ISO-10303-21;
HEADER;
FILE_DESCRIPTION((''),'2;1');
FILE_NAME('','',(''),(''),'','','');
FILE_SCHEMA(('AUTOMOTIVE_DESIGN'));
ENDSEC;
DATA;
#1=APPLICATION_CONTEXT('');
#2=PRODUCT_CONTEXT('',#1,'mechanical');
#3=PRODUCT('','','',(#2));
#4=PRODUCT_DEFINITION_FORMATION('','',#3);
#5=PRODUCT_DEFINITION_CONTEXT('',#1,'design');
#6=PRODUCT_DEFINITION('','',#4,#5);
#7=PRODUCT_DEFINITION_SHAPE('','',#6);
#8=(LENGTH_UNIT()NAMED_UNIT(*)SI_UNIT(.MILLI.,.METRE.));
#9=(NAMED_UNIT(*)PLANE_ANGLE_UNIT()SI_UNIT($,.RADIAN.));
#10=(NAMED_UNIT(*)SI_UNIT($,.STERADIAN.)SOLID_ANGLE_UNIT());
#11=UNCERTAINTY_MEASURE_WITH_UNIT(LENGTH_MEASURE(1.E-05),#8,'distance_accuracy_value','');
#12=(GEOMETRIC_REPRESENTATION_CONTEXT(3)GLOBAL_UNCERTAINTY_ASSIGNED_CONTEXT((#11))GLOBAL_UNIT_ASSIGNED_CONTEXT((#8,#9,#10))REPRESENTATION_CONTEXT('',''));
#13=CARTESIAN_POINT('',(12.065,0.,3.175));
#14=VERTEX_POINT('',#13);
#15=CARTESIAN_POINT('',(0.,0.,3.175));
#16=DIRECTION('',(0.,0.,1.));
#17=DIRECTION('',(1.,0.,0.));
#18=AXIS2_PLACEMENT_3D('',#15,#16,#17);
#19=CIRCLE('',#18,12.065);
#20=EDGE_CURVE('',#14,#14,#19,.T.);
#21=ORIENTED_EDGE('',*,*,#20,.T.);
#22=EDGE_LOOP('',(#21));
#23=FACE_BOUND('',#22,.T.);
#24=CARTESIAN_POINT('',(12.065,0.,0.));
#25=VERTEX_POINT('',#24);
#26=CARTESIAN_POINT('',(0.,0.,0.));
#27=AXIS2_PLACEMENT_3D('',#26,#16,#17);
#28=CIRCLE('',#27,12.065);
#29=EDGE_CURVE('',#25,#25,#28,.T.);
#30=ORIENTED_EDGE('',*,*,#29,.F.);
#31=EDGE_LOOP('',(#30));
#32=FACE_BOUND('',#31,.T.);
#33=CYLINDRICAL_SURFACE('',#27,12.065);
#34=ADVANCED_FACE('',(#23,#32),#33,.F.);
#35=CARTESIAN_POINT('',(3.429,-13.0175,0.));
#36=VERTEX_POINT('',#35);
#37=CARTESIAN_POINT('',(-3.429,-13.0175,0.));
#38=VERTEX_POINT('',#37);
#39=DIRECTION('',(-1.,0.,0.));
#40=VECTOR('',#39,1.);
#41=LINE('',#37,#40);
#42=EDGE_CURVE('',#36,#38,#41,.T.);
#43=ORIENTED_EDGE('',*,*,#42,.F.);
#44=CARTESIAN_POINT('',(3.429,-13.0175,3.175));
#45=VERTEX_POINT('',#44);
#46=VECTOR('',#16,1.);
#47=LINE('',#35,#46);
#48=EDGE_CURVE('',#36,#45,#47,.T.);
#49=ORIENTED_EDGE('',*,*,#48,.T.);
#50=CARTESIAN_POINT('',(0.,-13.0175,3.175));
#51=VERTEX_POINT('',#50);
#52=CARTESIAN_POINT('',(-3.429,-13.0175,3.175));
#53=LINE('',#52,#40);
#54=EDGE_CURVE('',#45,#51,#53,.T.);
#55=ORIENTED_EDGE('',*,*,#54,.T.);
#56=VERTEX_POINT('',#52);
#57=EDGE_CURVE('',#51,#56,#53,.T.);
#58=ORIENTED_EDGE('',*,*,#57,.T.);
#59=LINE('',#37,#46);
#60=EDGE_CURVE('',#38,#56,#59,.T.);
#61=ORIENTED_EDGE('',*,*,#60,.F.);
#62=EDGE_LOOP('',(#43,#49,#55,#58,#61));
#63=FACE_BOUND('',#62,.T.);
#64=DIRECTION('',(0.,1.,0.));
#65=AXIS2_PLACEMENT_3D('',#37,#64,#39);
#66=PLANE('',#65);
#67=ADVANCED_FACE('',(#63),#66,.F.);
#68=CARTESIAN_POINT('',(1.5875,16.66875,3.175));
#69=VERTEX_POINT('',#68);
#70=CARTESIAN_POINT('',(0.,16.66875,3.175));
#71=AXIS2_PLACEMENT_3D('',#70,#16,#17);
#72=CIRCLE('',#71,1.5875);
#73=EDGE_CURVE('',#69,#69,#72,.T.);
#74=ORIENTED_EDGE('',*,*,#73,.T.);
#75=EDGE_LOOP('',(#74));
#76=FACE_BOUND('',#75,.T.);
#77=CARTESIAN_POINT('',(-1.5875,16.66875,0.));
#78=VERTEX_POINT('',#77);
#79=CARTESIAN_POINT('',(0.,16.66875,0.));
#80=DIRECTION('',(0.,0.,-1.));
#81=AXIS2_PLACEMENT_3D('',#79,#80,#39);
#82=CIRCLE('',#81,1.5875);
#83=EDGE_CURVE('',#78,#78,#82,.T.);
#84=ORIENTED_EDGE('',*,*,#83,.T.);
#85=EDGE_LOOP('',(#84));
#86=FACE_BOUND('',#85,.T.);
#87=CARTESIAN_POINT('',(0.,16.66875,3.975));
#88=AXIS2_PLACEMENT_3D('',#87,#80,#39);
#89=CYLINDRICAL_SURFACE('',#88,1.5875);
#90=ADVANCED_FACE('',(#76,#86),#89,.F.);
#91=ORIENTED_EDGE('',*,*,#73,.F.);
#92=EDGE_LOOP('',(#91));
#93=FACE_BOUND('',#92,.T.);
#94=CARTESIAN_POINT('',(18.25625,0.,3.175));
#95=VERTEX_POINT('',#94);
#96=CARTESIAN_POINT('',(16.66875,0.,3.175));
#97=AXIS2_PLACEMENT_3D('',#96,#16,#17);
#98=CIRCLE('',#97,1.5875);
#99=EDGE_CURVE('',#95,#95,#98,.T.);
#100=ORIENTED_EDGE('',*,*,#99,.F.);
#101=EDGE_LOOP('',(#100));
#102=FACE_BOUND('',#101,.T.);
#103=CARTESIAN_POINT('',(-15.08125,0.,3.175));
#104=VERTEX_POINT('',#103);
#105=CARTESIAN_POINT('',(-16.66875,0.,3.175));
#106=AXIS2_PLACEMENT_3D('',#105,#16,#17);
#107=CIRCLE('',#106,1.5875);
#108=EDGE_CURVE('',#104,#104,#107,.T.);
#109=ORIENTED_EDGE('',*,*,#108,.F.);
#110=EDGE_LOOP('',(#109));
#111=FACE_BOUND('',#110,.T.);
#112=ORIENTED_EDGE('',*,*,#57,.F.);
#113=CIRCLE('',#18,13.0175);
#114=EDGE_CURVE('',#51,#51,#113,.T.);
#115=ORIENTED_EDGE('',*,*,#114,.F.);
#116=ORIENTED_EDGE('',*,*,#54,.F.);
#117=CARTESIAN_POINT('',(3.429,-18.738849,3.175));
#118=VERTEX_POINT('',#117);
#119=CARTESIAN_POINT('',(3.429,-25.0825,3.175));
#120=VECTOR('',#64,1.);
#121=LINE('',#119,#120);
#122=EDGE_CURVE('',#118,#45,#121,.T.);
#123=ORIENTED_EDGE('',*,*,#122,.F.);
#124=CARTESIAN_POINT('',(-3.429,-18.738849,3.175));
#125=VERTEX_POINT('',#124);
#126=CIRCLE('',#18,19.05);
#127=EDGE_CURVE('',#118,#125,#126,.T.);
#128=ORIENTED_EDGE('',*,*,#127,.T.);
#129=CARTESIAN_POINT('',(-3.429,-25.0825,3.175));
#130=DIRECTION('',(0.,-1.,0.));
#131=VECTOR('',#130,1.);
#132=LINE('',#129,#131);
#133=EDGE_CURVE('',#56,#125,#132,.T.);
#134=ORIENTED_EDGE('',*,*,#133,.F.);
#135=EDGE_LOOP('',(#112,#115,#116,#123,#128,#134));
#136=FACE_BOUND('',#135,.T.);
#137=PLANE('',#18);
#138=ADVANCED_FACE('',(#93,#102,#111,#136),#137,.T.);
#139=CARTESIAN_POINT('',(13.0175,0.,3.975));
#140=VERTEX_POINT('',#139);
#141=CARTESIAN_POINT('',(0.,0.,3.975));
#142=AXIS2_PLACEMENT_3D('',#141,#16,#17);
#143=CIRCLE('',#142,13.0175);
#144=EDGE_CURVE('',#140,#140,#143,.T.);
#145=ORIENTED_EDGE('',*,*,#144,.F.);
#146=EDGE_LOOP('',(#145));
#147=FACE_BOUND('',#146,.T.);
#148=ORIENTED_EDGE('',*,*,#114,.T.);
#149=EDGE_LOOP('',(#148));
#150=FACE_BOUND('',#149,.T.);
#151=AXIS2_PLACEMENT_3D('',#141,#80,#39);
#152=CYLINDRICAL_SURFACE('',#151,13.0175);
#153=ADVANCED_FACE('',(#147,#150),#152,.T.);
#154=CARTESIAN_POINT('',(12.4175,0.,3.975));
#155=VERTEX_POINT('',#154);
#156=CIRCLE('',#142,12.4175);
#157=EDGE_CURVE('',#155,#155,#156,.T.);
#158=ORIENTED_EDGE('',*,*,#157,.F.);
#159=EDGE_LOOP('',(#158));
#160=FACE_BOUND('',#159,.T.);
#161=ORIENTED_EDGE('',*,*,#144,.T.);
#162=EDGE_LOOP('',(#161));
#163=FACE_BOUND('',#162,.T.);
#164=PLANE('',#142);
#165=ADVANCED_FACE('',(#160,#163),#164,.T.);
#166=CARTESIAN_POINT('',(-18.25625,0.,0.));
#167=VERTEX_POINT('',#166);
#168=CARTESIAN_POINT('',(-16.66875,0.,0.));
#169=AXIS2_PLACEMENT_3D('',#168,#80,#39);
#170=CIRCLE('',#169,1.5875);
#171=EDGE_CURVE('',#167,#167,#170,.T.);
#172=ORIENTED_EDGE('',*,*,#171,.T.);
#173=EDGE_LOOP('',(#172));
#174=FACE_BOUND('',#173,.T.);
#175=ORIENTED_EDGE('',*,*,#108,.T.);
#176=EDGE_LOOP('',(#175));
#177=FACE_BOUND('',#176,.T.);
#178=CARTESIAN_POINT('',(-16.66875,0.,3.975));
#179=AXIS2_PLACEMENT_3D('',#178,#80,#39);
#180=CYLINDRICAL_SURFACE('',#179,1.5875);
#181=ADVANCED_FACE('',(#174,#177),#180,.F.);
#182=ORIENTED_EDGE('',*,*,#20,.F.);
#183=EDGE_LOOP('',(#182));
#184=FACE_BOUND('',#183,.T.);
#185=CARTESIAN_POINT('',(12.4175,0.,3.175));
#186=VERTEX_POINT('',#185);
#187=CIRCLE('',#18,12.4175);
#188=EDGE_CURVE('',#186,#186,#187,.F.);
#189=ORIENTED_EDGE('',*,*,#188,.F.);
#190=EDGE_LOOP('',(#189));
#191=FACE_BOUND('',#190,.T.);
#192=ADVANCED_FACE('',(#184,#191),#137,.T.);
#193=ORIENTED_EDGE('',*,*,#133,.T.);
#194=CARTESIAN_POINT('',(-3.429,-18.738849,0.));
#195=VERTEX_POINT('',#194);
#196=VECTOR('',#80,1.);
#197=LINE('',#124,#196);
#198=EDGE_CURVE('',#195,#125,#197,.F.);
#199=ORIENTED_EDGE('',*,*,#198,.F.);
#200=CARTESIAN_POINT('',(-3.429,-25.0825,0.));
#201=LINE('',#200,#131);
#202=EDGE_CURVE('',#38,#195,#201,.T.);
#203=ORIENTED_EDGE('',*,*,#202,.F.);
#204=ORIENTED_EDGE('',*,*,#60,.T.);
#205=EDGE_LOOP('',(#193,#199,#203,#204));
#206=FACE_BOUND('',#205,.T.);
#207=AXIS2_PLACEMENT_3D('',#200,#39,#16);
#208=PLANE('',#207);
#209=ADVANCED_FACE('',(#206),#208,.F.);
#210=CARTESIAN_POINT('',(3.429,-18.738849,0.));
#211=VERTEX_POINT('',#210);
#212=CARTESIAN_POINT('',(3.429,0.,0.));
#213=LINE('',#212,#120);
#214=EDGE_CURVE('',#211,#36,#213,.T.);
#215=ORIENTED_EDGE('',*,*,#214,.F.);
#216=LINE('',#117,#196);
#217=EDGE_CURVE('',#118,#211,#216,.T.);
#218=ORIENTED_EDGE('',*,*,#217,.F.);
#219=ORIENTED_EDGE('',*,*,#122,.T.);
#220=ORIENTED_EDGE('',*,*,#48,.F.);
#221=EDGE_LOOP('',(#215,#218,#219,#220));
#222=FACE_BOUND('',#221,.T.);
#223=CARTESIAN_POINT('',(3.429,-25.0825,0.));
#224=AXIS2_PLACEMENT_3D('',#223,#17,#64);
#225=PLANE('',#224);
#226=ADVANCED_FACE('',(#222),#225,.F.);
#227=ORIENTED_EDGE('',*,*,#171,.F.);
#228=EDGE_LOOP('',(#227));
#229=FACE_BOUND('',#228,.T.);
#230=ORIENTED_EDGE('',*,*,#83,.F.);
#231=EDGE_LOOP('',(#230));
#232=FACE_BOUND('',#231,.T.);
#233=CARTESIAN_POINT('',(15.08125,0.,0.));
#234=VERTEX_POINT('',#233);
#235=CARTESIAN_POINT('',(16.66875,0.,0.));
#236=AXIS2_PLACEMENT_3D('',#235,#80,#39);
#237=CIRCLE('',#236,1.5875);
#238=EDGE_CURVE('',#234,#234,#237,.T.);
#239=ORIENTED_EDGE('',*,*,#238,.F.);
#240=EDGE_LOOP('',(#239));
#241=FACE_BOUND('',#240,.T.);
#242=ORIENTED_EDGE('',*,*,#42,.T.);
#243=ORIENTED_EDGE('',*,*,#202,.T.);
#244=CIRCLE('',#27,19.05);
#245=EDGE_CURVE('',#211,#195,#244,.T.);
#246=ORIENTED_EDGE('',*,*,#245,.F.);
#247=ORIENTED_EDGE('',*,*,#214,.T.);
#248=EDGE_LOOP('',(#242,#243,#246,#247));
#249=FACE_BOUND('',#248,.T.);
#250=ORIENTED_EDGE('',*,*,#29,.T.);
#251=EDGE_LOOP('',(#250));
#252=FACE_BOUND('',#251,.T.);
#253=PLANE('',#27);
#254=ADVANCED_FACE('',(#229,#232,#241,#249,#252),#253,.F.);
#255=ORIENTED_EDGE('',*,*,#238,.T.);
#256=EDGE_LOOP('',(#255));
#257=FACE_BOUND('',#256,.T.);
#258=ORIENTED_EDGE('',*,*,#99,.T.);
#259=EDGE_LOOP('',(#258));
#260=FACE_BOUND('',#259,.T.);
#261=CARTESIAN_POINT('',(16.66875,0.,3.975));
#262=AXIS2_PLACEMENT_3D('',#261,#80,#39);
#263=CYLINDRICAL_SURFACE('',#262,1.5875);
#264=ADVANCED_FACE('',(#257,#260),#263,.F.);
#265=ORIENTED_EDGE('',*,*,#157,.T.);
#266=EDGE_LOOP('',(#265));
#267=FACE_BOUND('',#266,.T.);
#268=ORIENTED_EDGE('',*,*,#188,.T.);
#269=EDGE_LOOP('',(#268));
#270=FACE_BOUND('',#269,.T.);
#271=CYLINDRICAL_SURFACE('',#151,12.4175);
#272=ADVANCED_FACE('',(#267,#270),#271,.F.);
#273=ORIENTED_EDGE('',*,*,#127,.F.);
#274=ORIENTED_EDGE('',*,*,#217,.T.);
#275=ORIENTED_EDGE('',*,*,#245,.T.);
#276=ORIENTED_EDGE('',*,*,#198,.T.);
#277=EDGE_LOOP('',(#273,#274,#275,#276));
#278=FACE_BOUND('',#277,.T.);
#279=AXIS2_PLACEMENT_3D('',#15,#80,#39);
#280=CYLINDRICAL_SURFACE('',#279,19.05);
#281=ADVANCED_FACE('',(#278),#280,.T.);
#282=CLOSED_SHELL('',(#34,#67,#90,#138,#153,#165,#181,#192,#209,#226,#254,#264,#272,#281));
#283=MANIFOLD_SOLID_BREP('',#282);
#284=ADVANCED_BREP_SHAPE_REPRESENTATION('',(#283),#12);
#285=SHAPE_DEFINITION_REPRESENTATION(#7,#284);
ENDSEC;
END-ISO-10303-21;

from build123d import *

# Parameters (mm, degrees)
SKETCH1_R           = 19.05
BOSS_EXTRUDE1_DEPTH = 3.175
SKETCH2_R           = 12.065
CUT_EXTRUDE1_DEPTH  = 4.175
SKETCH3_R           = 13.0175
SKETCH3_R_2         = 12.4175
BOSS_EXTRUDE2_DEPTH = 0.799999924
SKETCH4_W           = 6.858
SKETCH4_H           = 12.065
CUT_EXTRUDE2_DEPTH  = 4.175
SKETCH5_R           = 1.5875
CUT_EXTRUDE3_DEPTH  = 4.974999924


with BuildPart() as part:
    # Sketch1 → Boss-Extrude1 (new body)
    with BuildSketch(Plane.XY):
        Circle(SKETCH1_R)
    extrude(amount=BOSS_EXTRUDE1_DEPTH)

    # Sketch2 → Cut-Extrude1 (cut, through all)
    with BuildSketch(Plane.XY.offset(3.175)):
        Circle(SKETCH2_R)
    extrude(amount=-CUT_EXTRUDE1_DEPTH, mode=Mode.SUBTRACT)

    # Sketch3 → Boss-Extrude2 (add)
    with BuildSketch(Plane.XY.offset(3.175)):
        Circle(SKETCH3_R)
        Circle(SKETCH3_R_2, mode=Mode.SUBTRACT)
    extrude(amount=BOSS_EXTRUDE2_DEPTH)

    # Sketch4 → Cut-Extrude2 (cut, through all)
    with BuildSketch(Plane.XY.offset(3.175)):
        with Locations((0, -19.05)):
            Rectangle(SKETCH4_W, SKETCH4_H)
    extrude(amount=-CUT_EXTRUDE2_DEPTH, mode=Mode.SUBTRACT)

    # Sketch5 → Cut-Extrude3 (cut, through all)
    with BuildSketch(Plane(origin=(0, 0, 0), x_dir=(-1, 0, 0), z_dir=(0, 0, -1))):
        with Locations((-16.66875, 0)):
            Circle(SKETCH5_R)
        with Locations((0, 16.66875)):
            Circle(SKETCH5_R)
        with Locations((16.66875, 0)):
            Circle(SKETCH5_R)
    extrude(amount=-CUT_EXTRUDE3_DEPTH, mode=Mode.SUBTRACT)


solid = part.part
